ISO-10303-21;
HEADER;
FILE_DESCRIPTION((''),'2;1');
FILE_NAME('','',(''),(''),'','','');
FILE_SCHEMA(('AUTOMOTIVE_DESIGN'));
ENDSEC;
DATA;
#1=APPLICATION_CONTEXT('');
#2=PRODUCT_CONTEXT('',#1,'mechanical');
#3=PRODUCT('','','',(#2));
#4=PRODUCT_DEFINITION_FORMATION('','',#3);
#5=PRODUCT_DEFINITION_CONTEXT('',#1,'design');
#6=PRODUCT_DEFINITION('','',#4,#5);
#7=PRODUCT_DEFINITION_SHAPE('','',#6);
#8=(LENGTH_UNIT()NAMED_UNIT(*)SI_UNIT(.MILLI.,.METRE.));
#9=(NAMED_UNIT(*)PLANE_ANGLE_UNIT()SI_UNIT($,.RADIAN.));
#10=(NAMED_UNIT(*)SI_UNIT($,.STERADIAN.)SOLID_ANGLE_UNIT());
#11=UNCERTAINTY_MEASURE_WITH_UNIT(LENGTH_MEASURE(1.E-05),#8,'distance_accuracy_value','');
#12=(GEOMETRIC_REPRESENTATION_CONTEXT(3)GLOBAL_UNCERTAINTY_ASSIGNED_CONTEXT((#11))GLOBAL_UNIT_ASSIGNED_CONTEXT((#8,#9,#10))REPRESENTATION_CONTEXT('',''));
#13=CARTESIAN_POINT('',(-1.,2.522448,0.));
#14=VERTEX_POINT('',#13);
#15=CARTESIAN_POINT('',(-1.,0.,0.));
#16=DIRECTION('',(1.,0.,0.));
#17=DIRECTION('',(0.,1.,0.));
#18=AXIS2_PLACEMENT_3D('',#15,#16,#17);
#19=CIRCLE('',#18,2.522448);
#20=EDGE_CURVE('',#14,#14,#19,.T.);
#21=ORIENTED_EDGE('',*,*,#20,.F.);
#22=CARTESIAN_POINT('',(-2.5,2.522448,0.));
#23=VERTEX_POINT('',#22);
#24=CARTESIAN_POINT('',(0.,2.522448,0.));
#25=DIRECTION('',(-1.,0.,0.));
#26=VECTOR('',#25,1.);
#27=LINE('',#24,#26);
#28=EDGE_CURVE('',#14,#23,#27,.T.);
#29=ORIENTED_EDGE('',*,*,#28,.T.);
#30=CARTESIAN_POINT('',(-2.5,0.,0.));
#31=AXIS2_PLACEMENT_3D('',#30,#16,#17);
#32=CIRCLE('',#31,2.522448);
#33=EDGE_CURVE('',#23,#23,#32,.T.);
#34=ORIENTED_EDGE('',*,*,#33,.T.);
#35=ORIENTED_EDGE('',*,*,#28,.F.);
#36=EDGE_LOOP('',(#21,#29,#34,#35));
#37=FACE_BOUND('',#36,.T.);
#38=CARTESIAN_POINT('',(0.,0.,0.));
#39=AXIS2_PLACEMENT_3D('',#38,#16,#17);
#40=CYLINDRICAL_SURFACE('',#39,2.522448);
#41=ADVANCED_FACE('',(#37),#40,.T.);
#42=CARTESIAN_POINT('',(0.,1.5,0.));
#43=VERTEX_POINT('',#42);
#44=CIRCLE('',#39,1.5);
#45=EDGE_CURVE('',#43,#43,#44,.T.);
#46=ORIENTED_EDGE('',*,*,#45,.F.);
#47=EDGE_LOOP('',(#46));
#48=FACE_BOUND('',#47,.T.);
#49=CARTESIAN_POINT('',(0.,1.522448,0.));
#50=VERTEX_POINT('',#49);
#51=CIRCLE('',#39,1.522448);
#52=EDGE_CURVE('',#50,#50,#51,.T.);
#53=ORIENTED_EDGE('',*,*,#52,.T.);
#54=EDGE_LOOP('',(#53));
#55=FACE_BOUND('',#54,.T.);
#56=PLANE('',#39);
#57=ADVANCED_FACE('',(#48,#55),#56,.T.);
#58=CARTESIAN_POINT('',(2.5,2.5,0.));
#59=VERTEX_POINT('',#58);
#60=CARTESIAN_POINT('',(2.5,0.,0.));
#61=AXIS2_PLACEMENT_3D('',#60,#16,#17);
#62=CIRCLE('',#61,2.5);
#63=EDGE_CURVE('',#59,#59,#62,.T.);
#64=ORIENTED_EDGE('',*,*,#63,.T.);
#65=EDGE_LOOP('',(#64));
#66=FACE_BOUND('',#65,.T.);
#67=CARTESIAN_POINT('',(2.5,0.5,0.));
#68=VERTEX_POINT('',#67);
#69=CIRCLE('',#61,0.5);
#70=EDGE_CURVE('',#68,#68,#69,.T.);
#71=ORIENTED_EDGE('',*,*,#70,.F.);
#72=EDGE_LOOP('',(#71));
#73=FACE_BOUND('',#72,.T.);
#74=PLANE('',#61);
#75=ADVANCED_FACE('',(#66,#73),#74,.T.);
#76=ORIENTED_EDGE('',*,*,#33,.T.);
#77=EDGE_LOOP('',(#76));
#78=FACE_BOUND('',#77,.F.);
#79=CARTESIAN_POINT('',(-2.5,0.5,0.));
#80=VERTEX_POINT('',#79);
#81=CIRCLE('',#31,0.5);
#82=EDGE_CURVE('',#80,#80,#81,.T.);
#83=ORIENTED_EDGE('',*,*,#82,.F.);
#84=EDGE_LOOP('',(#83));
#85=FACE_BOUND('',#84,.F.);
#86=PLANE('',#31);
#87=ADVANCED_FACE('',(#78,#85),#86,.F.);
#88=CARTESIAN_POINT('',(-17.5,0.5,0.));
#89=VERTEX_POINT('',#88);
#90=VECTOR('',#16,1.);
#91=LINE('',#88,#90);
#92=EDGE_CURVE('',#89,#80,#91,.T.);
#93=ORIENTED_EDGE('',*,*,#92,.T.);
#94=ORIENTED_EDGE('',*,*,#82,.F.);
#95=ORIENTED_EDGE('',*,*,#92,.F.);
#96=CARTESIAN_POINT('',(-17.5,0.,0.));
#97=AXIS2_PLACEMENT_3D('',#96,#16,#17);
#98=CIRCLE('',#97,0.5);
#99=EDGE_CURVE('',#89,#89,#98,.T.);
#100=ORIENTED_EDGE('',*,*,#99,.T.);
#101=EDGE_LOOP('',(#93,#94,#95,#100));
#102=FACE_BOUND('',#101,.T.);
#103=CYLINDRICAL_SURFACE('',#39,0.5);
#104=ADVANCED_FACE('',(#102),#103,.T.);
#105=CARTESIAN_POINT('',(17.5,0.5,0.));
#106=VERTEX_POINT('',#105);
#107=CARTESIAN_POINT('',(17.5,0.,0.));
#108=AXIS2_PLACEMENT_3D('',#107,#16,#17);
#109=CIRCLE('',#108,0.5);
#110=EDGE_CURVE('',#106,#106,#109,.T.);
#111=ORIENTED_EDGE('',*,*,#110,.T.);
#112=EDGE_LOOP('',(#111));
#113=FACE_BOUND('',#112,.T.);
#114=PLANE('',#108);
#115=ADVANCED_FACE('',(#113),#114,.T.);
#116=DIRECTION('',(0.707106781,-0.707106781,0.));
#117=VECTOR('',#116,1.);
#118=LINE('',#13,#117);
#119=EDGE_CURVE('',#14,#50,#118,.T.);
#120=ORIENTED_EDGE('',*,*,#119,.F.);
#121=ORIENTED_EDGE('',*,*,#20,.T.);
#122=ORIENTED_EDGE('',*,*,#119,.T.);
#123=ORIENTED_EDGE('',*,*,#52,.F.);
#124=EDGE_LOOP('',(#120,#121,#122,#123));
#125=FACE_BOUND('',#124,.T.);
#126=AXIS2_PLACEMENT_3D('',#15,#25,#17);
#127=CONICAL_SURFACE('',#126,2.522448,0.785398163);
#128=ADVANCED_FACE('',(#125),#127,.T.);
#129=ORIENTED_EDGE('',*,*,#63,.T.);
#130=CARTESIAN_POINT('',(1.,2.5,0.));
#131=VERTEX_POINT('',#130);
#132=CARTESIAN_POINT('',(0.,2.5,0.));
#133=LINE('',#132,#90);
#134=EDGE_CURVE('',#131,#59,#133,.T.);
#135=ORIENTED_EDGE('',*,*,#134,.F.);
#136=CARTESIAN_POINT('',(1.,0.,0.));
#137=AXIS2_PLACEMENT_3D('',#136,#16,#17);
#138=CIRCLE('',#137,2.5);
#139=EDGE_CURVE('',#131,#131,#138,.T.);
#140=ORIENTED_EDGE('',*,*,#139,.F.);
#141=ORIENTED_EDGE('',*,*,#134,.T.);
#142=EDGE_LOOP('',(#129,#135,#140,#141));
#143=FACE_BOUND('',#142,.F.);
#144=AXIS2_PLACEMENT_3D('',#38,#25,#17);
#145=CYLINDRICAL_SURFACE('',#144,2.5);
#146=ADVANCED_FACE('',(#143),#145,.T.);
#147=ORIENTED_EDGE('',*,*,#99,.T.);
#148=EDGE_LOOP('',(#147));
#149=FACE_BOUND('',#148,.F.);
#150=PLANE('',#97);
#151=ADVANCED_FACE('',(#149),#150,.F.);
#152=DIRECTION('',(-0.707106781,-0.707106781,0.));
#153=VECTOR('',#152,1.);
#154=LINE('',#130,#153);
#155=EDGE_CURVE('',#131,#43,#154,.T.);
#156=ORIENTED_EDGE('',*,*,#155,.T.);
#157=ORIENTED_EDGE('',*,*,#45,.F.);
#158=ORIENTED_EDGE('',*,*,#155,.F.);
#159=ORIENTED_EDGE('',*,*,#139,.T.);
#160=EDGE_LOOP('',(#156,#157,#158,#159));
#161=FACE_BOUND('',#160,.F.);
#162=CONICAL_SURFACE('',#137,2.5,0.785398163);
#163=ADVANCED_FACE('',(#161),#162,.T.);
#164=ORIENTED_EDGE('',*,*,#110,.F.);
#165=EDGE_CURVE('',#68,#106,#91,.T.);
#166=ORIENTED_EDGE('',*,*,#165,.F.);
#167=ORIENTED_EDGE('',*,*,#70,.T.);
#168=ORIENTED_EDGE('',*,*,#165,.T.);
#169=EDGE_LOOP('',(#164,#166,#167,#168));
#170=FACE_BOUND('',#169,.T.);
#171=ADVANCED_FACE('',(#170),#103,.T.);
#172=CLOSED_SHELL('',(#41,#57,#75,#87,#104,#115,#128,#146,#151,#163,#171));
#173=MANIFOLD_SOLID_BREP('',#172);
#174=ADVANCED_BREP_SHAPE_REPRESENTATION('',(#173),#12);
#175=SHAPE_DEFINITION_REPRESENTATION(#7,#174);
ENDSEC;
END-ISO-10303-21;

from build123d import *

# Parameters (mm, degrees)
F0_R     = 0.5
F1_DEPTH = 17.5
F2_R     = 2.5
F3_DEPTH = 2.5
F4_SIZE  = 1
F5_R     = 2.522448
F6_DEPTH = 2.5
F7_SIZE  = 1


with BuildPart() as f1:
    # F0 (on Right) → F1 (new body, symmetric)
    with BuildSketch(Plane.YZ):
        Circle(F0_R)
    extrude(amount=F1_DEPTH, both=True)

    # F2 (on Right) → F3 (join)
    with BuildSketch(Plane.YZ):
        Circle(F2_R)
    extrude(amount=F3_DEPTH)

    # F4
    f4_edges = [f1.edges().sort_by_distance(p)[0] for p in [
        (0, -2.5, 0),
    ]]
    chamfer(f4_edges, length=F4_SIZE)

    # F5 (on Right) → F6 (join)
    with BuildSketch(Plane.YZ):
        Circle(F5_R)
    extrude(amount=-F6_DEPTH)

    # F7
    f7_edges = [f1.edges().sort_by_distance(p)[0] for p in [
        (0, -2.522448, 0),
    ]]
    chamfer(f7_edges, length=F7_SIZE)


solid = f1.part
